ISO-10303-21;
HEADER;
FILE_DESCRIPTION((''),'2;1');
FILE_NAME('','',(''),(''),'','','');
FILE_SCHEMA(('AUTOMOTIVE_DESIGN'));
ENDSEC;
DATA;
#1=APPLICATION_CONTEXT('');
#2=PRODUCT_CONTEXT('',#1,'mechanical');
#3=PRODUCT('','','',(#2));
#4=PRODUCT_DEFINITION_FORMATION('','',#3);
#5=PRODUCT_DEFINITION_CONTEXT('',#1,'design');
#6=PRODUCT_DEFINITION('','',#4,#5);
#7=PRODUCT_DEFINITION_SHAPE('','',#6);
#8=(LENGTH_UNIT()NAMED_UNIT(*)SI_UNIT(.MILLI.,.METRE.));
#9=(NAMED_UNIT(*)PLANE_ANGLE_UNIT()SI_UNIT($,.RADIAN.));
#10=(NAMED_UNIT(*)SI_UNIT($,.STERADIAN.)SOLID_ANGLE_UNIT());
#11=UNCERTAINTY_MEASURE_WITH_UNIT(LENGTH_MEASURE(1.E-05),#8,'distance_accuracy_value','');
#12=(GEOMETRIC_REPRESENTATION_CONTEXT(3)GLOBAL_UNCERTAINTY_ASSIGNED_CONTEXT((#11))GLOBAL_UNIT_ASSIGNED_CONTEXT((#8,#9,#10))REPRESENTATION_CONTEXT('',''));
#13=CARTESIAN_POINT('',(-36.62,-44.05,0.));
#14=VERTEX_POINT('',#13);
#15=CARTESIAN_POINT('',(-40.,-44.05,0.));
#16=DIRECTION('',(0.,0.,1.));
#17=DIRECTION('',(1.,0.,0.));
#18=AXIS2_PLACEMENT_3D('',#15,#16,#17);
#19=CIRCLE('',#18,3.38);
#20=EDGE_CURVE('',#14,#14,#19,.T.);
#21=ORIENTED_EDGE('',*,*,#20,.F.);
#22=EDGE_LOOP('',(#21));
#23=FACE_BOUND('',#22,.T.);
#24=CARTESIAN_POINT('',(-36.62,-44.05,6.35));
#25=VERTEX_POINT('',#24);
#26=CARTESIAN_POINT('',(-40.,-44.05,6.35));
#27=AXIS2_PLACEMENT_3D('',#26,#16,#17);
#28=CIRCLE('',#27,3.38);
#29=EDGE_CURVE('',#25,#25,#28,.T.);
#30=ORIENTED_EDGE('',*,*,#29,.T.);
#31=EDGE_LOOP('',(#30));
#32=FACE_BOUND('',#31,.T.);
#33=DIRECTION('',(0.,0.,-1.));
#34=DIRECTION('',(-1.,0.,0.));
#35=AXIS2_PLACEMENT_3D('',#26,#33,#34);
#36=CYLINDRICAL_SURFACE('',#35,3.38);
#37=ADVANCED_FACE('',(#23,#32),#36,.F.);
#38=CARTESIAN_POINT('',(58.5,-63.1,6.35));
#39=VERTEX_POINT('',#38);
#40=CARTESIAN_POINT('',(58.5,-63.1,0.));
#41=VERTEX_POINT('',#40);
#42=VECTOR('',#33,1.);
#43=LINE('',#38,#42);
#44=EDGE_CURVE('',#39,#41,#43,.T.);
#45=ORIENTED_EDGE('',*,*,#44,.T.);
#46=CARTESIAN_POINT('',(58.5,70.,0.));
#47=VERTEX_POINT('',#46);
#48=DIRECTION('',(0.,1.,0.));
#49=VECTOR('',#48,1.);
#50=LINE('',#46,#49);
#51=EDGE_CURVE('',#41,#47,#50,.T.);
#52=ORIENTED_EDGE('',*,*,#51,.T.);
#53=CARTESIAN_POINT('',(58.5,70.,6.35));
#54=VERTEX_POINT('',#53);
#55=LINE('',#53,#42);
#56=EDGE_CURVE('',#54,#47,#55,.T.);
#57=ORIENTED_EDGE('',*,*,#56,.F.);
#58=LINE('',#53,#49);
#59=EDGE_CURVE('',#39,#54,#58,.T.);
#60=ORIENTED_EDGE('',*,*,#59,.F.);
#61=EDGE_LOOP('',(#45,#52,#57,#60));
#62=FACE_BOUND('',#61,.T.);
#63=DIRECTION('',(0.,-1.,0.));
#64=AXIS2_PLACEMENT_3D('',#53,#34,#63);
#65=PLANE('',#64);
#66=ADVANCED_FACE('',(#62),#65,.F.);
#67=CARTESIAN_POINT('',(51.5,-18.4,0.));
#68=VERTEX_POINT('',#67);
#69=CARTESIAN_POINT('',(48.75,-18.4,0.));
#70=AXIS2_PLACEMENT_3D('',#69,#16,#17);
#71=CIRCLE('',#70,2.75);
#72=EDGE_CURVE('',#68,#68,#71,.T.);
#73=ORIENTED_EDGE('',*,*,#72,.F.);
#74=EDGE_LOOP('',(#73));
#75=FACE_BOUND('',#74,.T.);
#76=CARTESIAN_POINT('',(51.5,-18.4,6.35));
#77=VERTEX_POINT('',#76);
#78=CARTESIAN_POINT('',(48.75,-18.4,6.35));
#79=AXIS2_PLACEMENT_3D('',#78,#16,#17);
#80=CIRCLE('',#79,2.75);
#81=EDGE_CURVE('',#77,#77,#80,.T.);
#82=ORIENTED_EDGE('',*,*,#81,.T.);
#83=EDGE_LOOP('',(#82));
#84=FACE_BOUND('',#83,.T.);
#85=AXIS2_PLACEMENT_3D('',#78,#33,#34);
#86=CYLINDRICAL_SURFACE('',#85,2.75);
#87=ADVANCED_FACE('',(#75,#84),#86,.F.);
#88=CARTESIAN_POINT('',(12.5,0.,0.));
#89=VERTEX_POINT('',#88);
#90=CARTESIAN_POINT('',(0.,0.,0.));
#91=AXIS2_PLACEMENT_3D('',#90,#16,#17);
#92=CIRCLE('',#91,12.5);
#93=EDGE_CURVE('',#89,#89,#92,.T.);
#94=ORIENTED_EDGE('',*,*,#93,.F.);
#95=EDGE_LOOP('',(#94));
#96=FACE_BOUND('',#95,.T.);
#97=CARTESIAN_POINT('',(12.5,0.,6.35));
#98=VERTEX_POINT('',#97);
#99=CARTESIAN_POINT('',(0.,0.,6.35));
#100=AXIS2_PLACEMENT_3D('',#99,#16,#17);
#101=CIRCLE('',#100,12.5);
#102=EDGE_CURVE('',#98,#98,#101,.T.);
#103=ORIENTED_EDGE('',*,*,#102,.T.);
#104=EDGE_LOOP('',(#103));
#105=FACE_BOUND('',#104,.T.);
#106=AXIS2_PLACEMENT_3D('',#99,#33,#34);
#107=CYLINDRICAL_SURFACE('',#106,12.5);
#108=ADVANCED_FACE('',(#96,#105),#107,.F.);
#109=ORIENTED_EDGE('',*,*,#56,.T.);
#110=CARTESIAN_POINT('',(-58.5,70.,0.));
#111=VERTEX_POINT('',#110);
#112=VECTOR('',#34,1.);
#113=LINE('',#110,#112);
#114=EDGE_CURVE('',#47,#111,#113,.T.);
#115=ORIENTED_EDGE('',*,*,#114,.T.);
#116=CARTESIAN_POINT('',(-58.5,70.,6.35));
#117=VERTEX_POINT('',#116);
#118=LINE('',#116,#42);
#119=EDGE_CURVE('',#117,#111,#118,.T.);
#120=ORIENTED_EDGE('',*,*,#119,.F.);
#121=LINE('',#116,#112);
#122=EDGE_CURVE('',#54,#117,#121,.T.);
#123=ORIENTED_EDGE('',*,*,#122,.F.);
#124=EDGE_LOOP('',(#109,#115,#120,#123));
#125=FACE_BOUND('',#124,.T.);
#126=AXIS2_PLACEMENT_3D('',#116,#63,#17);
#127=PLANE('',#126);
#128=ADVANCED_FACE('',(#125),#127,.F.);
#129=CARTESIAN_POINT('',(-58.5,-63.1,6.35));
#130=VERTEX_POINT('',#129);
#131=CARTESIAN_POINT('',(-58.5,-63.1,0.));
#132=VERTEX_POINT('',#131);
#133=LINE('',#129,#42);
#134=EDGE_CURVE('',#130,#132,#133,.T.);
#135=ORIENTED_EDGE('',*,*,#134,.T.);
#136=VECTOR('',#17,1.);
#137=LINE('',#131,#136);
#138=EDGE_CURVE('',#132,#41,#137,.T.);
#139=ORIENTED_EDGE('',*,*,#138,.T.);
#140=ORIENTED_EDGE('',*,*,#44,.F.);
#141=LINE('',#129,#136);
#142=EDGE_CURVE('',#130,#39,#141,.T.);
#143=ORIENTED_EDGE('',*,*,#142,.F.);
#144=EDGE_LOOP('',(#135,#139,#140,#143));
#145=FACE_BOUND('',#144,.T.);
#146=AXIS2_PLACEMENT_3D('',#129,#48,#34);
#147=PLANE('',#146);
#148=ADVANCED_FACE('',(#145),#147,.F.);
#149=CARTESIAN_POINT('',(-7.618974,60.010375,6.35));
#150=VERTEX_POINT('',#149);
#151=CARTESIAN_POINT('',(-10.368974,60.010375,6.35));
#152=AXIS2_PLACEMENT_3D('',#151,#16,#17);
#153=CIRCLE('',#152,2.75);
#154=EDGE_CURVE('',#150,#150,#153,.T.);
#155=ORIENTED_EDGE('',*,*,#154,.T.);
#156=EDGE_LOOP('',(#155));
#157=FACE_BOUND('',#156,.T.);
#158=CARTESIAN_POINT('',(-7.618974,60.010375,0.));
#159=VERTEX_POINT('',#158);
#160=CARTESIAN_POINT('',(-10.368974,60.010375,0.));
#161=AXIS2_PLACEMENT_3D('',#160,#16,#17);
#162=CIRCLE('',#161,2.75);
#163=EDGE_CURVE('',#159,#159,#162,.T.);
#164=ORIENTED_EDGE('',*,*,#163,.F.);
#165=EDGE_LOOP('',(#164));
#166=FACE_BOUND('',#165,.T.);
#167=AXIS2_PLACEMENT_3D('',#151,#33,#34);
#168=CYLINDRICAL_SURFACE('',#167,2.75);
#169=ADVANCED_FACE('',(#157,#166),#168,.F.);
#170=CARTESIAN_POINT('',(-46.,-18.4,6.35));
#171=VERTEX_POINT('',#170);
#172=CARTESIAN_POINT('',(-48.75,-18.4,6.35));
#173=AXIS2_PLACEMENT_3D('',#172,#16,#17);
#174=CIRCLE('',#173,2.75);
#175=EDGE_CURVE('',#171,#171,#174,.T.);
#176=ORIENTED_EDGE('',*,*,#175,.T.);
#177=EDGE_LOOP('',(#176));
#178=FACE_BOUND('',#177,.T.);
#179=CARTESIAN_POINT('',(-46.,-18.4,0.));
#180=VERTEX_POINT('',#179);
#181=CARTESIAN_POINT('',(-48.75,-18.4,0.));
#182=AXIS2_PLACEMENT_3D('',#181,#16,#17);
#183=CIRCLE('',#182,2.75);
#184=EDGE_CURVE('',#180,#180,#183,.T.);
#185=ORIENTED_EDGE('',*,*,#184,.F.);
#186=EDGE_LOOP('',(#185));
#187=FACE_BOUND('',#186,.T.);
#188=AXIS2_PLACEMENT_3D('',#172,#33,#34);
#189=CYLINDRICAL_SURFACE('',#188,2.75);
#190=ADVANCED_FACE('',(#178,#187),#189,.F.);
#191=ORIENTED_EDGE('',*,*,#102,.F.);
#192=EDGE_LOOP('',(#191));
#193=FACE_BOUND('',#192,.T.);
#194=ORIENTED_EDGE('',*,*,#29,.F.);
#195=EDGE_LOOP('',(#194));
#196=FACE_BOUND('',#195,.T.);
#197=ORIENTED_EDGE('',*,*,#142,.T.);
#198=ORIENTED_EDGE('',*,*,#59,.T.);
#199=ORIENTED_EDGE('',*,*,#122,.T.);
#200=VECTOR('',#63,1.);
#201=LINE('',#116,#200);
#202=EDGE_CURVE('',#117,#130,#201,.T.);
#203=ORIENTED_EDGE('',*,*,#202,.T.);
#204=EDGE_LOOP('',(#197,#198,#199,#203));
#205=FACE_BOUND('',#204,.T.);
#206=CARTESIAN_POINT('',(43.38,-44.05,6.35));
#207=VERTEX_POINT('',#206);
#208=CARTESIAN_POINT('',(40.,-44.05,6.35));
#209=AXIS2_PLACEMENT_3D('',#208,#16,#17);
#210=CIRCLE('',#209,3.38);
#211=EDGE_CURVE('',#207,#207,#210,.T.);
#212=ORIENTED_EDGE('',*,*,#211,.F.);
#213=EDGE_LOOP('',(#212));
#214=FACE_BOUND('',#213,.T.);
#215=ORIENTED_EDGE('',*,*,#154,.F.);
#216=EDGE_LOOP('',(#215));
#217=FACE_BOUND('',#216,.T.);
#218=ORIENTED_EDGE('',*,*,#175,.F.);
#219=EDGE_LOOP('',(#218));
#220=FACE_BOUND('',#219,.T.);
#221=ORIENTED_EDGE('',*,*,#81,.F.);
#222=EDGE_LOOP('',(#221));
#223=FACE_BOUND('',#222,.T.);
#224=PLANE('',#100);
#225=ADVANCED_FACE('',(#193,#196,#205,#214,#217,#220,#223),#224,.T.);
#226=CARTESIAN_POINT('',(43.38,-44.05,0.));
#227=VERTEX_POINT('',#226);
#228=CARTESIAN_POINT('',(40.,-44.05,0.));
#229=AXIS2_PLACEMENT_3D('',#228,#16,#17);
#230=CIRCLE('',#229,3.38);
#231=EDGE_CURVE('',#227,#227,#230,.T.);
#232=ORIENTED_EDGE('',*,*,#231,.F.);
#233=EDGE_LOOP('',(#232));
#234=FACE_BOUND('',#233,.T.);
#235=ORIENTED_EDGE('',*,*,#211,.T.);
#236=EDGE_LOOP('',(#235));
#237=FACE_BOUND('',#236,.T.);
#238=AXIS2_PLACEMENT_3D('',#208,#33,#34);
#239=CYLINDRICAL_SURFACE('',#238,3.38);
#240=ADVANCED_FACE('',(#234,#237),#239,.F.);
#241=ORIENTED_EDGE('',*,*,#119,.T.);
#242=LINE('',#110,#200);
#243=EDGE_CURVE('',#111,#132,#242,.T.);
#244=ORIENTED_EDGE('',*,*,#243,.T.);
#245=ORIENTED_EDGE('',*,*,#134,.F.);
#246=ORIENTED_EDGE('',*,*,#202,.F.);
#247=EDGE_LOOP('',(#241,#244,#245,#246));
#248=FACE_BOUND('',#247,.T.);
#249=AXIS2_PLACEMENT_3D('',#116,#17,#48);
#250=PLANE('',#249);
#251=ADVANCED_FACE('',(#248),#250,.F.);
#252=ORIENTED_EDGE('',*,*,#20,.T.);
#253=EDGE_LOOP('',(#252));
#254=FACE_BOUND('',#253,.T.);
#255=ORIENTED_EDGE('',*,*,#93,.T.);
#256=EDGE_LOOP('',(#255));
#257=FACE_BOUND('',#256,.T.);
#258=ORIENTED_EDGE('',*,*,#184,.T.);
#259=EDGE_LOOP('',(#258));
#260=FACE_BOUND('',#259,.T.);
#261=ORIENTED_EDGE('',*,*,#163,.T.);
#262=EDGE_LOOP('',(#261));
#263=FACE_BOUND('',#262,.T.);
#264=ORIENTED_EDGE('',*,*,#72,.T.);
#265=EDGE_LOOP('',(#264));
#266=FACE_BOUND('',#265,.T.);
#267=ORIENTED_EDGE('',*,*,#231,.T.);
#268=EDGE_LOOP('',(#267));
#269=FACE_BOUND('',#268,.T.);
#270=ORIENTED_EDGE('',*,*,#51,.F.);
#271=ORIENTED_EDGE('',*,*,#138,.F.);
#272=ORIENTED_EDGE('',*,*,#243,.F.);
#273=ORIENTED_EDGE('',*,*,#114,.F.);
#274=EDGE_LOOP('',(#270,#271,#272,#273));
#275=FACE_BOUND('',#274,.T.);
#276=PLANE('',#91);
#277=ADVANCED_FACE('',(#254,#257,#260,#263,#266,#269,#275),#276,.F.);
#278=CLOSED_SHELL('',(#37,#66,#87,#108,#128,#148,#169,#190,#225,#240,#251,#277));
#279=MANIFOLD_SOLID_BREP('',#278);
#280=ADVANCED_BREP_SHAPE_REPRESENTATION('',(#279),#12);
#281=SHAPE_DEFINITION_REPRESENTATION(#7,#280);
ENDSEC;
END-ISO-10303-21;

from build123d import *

# Parameters (mm, degrees)
SKETCH1_W           = 117
SKETCH1_H           = 133.1
SKETCH1_R           = 2.75
SKETCH1_R_2         = 3.38
SKETCH1_R_3         = 12.5
BOSS_EXTRUDE1_DEPTH = 6.35


with BuildPart() as part:
    # Sketch1 → Boss-Extrude1 (new body)
    with BuildSketch(Plane.XY):
        with Locations((0, 3.45)):
            Rectangle(SKETCH1_W, SKETCH1_H)
        with Locations((-48.75, -18.4)):
            Circle(SKETCH1_R, mode=Mode.SUBTRACT)
        with Locations((48.75, -18.4)):
            Circle(SKETCH1_R, mode=Mode.SUBTRACT)
        with Locations((-10.368974359, 60.010374765)):
            Circle(SKETCH1_R, mode=Mode.SUBTRACT)
        with Locations((-40, -44.05)):
            Circle(SKETCH1_R_2, mode=Mode.SUBTRACT)
        with Locations((40, -44.05)):
            Circle(SKETCH1_R_2, mode=Mode.SUBTRACT)
        Circle(SKETCH1_R_3, mode=Mode.SUBTRACT)
    extrude(amount=BOSS_EXTRUDE1_DEPTH)


solid = part.part
